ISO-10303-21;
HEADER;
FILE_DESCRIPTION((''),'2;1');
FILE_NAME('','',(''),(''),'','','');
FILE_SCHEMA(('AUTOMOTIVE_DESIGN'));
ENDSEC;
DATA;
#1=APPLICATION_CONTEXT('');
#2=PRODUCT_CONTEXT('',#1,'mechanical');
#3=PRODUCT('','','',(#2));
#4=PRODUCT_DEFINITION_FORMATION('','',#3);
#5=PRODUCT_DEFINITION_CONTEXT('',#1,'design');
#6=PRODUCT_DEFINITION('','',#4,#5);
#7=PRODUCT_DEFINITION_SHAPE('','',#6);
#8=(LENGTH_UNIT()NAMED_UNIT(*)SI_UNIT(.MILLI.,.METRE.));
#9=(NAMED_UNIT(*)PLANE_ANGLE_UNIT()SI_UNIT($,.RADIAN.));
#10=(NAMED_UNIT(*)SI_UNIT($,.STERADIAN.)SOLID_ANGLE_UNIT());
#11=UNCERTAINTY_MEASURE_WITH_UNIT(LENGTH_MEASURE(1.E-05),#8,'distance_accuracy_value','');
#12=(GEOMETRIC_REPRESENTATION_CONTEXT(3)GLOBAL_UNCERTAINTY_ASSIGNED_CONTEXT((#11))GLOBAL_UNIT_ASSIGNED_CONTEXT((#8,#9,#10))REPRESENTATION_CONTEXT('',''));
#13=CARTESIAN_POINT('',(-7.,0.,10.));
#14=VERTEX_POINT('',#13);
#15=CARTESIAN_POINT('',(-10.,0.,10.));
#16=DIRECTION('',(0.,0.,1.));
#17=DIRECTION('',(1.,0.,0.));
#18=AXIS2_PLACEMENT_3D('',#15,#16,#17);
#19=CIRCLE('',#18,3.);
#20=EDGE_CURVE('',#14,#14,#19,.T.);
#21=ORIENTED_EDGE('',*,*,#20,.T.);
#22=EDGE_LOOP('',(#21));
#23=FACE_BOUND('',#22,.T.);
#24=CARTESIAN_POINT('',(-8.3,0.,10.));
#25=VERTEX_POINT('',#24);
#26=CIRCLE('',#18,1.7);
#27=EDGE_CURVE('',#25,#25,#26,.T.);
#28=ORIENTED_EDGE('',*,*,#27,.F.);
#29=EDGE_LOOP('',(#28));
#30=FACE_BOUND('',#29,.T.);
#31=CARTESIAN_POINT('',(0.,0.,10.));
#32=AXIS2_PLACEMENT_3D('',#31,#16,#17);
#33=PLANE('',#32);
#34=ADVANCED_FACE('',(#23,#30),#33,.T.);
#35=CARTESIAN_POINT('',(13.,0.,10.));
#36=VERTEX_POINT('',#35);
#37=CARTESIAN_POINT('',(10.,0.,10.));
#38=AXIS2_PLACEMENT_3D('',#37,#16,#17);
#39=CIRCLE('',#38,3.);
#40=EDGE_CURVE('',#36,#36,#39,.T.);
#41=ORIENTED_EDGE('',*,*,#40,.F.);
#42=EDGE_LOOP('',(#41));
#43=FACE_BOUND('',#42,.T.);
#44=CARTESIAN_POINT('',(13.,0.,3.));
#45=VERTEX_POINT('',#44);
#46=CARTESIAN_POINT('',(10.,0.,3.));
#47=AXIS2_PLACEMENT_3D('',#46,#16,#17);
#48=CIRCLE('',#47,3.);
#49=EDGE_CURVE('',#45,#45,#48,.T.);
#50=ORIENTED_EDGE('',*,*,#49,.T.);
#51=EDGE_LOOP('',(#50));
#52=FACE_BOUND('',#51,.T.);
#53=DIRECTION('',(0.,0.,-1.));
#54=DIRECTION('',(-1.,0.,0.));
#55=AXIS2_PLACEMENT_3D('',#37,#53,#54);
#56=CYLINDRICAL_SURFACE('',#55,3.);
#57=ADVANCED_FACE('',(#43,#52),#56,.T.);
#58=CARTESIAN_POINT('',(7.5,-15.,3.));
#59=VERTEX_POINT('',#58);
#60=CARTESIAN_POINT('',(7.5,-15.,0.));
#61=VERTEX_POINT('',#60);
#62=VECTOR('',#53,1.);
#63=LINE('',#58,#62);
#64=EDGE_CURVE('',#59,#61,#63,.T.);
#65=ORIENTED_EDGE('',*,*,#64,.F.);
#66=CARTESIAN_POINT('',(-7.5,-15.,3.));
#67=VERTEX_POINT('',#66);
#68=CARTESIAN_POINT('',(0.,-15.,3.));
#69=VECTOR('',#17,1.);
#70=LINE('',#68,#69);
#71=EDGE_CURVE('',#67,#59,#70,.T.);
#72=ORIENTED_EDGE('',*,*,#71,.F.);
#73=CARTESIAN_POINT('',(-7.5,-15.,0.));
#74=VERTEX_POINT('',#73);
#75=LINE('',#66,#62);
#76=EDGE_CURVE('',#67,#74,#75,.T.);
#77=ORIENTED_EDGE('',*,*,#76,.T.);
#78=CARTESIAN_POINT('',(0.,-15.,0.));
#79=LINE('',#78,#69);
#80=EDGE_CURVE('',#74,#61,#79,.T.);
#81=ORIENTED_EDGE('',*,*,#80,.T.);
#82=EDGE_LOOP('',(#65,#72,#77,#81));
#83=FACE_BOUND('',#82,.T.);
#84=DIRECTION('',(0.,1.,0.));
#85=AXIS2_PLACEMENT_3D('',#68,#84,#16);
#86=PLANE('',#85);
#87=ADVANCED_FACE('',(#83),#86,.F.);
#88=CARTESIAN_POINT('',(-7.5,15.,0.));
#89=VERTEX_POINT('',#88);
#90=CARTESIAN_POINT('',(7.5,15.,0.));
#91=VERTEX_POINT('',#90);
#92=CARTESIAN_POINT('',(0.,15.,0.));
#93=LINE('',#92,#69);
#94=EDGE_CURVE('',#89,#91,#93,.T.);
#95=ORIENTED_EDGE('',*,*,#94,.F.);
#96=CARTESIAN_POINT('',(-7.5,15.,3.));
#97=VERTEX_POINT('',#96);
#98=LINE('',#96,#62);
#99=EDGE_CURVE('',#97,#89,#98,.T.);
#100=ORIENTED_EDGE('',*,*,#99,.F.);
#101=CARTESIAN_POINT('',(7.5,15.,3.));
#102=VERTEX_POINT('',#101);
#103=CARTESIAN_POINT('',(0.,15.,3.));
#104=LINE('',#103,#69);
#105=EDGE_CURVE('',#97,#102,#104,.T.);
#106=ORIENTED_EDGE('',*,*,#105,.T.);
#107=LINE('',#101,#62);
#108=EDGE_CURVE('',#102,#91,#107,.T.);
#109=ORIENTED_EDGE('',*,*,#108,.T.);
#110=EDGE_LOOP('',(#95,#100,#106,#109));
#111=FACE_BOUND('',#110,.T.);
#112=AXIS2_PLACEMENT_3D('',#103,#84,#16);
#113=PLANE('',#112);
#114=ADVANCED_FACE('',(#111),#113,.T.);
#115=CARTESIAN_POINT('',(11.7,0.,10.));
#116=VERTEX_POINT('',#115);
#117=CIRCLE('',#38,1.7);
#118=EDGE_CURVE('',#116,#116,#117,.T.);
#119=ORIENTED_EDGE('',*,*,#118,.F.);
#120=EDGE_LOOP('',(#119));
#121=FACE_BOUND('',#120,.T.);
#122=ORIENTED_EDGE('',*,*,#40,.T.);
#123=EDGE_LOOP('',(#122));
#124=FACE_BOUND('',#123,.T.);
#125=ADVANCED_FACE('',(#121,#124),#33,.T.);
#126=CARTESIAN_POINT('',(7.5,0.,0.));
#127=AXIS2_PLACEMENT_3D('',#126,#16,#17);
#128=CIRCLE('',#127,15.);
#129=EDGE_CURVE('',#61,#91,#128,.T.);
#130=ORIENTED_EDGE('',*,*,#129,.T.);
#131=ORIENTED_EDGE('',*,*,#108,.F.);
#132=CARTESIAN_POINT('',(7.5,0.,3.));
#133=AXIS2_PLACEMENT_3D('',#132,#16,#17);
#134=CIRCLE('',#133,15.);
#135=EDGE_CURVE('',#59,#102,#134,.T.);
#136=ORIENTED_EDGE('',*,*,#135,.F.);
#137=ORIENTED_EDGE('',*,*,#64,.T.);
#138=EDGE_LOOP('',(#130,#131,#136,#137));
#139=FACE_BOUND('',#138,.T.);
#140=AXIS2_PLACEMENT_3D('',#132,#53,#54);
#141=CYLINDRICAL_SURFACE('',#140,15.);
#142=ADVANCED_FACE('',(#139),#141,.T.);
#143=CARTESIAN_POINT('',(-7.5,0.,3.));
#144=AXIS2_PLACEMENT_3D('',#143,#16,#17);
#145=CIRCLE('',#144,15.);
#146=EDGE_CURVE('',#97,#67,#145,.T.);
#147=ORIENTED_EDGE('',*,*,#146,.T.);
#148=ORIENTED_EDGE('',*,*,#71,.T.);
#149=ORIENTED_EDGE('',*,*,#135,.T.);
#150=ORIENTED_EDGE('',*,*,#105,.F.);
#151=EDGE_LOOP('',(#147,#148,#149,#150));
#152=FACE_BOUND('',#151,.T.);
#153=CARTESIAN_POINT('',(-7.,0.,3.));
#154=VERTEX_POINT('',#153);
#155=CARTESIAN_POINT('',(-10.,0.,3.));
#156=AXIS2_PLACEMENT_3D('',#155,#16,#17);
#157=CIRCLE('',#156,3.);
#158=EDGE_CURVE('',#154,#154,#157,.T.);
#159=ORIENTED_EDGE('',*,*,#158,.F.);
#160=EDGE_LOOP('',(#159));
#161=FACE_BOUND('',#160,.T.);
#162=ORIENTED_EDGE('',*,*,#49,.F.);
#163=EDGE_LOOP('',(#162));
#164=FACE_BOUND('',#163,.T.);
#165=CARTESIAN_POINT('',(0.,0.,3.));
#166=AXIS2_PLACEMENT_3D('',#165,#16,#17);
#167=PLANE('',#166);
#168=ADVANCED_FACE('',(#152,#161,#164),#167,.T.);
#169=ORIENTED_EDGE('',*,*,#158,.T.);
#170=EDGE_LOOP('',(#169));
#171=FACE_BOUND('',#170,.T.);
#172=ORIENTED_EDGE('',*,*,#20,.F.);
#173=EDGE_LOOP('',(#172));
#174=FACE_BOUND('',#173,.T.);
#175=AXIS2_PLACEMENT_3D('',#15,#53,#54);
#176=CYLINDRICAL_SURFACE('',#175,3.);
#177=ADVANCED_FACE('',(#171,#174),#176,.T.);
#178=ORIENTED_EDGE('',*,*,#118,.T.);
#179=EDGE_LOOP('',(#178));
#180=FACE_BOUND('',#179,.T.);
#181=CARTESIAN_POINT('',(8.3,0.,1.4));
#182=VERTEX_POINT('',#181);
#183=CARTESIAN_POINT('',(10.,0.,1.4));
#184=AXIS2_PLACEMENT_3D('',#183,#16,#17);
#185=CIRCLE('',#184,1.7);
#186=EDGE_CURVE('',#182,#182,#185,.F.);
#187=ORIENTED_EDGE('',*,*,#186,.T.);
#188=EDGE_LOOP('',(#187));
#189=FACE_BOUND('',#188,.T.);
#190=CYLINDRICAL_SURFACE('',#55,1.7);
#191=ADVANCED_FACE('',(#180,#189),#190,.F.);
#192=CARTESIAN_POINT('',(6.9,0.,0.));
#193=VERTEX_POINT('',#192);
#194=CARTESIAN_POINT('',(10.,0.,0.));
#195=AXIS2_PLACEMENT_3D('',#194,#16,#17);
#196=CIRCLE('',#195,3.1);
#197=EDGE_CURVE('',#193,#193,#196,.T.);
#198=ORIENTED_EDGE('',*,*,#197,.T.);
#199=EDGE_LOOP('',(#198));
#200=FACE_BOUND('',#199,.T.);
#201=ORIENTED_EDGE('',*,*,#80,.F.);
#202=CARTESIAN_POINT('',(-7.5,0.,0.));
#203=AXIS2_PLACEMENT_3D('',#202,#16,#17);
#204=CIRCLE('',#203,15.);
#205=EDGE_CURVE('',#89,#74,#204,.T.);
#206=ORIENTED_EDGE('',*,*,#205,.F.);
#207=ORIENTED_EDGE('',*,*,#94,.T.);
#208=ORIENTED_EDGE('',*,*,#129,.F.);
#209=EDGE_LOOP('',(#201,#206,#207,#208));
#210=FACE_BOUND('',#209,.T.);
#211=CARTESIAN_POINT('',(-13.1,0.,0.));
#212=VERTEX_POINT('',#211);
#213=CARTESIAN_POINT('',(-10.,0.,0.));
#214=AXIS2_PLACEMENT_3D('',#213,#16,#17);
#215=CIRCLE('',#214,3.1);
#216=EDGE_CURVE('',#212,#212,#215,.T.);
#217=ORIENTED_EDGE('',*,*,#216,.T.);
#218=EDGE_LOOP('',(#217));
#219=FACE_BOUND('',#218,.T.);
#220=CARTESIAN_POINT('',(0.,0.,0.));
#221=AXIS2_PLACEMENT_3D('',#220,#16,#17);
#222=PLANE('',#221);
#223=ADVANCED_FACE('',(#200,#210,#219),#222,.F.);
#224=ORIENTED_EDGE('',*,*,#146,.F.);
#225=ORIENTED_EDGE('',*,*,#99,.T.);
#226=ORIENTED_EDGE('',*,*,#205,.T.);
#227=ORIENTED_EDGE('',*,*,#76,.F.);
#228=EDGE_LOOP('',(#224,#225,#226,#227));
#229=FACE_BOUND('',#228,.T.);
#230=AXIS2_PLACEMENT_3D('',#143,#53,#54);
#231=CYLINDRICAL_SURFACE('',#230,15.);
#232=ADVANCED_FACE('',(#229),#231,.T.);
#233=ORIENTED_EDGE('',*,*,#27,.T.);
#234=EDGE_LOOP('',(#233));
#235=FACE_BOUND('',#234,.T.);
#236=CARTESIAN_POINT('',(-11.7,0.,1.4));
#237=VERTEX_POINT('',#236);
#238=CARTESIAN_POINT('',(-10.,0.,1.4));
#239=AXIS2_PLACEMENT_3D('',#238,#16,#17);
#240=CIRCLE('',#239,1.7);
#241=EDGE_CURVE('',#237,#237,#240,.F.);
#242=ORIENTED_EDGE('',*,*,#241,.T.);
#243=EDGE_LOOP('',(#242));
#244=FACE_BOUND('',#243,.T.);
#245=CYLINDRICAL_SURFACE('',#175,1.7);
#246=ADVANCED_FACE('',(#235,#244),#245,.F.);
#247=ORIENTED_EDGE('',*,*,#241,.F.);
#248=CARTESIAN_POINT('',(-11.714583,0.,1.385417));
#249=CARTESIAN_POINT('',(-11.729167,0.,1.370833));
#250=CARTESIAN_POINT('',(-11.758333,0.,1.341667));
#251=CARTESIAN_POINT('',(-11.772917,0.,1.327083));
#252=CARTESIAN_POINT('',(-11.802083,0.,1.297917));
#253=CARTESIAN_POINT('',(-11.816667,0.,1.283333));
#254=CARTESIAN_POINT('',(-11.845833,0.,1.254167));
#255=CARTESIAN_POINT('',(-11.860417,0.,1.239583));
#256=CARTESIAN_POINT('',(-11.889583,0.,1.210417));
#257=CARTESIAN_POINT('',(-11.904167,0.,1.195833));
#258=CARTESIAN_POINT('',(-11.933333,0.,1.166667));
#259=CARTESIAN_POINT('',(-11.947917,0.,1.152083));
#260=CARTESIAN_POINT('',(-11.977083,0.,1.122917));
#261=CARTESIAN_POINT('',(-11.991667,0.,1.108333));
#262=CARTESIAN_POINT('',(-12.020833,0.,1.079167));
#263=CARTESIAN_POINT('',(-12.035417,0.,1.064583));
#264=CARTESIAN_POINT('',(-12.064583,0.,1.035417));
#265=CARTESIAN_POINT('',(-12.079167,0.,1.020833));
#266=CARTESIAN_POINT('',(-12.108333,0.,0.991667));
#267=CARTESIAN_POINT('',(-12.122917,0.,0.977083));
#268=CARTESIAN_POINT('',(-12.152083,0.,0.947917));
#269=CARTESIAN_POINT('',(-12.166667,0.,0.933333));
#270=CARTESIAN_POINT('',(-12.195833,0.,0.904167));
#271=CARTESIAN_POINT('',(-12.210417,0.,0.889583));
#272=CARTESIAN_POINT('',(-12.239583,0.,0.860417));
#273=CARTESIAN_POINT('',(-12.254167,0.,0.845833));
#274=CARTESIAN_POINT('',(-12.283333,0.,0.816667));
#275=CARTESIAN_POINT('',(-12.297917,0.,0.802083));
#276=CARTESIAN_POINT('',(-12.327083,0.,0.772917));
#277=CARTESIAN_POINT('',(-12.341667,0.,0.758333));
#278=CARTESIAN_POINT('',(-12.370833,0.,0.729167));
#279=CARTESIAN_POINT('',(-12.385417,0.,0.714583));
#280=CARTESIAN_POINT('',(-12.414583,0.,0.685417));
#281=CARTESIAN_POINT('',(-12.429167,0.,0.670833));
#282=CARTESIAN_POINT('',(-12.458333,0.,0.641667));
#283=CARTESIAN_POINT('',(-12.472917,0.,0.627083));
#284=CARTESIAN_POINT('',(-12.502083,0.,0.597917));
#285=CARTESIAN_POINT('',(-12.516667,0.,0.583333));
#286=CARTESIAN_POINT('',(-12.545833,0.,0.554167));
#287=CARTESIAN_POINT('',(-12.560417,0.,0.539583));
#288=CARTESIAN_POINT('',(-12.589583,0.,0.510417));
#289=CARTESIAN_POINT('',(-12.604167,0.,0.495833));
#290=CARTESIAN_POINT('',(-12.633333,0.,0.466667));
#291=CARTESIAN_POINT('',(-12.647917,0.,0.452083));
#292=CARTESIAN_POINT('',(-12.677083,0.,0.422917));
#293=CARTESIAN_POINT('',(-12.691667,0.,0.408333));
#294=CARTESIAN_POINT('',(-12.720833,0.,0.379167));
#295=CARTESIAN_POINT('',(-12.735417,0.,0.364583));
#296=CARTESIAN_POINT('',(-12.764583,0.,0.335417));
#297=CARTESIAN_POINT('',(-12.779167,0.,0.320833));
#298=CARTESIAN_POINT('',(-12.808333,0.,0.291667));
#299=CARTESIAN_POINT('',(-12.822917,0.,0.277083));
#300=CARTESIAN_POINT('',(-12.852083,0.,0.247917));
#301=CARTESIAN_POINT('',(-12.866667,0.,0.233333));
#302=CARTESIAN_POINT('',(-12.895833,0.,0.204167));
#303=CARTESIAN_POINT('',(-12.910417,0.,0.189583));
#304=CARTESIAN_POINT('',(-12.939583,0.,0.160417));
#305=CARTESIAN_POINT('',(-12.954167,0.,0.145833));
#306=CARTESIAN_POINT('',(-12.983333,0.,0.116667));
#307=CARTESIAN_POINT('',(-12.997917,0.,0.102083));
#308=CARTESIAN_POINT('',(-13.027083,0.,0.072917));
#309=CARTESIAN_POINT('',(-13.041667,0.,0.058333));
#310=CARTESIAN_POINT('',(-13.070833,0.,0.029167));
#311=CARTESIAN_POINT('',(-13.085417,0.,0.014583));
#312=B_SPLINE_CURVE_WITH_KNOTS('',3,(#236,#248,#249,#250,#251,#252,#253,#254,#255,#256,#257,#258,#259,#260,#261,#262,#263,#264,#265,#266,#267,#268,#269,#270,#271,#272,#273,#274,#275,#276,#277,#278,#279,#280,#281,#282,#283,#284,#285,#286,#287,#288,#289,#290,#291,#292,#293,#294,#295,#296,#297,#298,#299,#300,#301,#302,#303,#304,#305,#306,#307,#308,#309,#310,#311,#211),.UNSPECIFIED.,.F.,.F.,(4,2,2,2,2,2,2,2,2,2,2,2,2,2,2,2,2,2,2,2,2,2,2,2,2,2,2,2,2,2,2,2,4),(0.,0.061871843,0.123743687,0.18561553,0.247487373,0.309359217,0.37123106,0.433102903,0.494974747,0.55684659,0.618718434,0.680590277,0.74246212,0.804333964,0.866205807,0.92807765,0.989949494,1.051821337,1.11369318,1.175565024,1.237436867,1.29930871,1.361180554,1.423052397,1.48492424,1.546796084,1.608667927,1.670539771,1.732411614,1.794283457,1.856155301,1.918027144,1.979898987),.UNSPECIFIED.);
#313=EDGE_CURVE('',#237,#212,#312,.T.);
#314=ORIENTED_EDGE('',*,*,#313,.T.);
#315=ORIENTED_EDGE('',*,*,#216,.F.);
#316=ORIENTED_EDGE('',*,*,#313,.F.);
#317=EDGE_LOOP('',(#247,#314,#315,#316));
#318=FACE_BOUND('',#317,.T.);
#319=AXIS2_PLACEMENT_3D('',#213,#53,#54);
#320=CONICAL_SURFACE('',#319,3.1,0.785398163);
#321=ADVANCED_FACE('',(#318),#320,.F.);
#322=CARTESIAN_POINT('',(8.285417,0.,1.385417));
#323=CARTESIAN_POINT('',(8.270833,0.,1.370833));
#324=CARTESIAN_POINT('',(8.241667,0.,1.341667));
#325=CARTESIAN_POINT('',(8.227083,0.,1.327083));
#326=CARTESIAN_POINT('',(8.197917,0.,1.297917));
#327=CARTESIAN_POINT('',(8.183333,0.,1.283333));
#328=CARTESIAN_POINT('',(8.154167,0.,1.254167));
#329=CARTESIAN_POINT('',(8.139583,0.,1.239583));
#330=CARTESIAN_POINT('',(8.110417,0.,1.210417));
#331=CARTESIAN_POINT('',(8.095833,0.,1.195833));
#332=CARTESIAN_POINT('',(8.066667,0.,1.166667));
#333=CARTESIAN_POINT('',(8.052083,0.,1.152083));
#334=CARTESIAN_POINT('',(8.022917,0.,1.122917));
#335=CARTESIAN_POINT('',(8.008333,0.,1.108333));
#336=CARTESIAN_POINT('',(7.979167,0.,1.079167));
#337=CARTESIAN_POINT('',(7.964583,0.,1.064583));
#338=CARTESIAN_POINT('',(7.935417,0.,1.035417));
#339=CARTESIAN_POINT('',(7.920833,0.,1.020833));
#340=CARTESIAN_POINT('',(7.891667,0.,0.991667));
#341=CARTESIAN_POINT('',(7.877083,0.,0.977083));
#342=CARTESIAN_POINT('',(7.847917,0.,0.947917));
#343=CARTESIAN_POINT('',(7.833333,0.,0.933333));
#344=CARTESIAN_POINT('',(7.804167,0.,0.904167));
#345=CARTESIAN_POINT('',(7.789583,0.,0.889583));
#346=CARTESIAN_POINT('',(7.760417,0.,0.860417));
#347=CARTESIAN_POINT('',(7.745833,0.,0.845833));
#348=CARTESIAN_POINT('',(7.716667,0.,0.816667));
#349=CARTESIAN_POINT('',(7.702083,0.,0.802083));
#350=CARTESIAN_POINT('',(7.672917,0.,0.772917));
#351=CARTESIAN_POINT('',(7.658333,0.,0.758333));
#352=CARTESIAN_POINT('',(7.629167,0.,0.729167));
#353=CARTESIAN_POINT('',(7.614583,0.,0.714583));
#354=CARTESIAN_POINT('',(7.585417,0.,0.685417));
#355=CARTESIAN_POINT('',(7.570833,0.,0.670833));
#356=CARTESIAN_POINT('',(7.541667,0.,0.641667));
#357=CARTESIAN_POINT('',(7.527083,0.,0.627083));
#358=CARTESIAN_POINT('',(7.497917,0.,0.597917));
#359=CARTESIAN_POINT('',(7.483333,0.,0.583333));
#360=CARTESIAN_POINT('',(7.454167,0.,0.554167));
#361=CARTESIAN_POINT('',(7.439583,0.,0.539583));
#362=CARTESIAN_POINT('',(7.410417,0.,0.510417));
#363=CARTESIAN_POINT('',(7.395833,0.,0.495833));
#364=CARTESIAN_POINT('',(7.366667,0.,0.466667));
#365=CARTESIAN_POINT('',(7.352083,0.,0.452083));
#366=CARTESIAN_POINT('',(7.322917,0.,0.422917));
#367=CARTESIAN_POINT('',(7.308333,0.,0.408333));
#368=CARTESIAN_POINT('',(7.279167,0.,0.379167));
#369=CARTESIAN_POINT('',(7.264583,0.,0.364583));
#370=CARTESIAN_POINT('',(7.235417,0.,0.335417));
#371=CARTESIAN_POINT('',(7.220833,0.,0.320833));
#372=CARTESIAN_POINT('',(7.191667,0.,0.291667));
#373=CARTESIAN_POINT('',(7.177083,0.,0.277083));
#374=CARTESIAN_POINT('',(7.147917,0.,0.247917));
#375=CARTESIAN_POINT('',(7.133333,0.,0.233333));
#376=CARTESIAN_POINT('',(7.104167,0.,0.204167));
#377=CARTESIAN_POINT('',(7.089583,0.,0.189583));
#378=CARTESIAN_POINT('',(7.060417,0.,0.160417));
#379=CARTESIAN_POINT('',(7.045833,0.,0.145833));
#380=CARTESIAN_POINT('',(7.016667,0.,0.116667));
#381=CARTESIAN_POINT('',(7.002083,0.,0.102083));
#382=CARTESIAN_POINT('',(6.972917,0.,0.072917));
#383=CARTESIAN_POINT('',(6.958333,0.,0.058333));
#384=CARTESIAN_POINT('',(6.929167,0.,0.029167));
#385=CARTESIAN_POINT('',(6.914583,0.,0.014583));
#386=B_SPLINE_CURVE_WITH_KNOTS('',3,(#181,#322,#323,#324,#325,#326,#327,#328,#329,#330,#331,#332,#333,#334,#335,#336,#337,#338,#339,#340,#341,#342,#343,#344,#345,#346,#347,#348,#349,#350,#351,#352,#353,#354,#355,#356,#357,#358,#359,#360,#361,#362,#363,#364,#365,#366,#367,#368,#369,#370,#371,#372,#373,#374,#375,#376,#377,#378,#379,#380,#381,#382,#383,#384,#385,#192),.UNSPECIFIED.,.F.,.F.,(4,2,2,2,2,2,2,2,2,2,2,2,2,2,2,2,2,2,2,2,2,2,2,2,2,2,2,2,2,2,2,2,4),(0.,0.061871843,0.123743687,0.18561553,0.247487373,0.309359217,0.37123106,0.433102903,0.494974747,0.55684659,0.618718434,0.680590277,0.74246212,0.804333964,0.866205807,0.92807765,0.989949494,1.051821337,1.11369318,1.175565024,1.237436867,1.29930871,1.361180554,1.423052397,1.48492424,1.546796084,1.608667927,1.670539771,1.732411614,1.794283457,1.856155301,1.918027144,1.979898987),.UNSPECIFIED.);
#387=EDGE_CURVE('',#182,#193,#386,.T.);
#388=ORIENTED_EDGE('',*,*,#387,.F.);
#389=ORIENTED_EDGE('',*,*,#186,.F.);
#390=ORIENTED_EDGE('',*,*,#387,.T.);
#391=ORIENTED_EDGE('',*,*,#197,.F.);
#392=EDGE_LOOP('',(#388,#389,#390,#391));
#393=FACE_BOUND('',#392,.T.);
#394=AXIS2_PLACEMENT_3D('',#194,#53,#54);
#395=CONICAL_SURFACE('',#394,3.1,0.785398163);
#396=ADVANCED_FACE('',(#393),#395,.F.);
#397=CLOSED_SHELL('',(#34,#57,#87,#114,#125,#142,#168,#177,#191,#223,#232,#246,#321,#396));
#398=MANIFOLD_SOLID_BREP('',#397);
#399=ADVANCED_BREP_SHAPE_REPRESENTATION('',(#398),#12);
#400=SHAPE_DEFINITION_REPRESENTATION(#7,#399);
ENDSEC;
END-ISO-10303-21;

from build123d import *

# Parameters (mm, degrees)
SKETCH_1_R      = 3
EXTRUDE_1_DEPTH = 3
SKETCH_1_3_R    = 3
SKETCH_1_3_R_2  = 1.7
EXTRUDE_2_DEPTH = 10
CHAMFER_1_SIZE  = 1.4


with BuildPart() as part:
    # 草图1 → 凸台-拉伸1 (new body)
    with BuildSketch(Plane.XY):
        with BuildLine():
            Line((7.5, 15), (-7.5, 15))
            ThreePointArc((-7.5, 15), (-22.5, 0), (-7.5, -15))
            Line((-7.5, -15), (7.5, -15))
            ThreePointArc((7.5, -15), (22.5, 0), (7.5, 15))
        make_face()
        with Locations((-10, 0)):
            Circle(SKETCH_1_R, mode=Mode.SUBTRACT)
        with Locations((10, 0)):
            Circle(SKETCH_1_R, mode=Mode.SUBTRACT)
    extrude(amount=EXTRUDE_1_DEPTH)

    # 草图1<3> → 凸台-拉伸2 (add)
    # profile 1 of 2: a face of its own
    with BuildSketch(Plane.XY):
        with Locations((-10, 0)):
            Circle(SKETCH_1_3_R)
        with Locations((-10, 0)):
            Circle(SKETCH_1_3_R_2, mode=Mode.SUBTRACT)
    # profile 2 of 2: a face of its own
    with BuildSketch(Plane.XY):
        with Locations((10, 0)):
            Circle(SKETCH_1_3_R)
        with Locations((10, 0)):
            Circle(SKETCH_1_3_R_2, mode=Mode.SUBTRACT)
    extrude(amount=EXTRUDE_2_DEPTH)

    # 倒角1
    chamfer_1_edges = [part.edges().sort_by_distance(p)[0] for p in [
        (8.3, 0, 0),
        (-11.7, 0, 0),
    ]]
    chamfer(chamfer_1_edges, length=CHAMFER_1_SIZE)


solid = part.part
